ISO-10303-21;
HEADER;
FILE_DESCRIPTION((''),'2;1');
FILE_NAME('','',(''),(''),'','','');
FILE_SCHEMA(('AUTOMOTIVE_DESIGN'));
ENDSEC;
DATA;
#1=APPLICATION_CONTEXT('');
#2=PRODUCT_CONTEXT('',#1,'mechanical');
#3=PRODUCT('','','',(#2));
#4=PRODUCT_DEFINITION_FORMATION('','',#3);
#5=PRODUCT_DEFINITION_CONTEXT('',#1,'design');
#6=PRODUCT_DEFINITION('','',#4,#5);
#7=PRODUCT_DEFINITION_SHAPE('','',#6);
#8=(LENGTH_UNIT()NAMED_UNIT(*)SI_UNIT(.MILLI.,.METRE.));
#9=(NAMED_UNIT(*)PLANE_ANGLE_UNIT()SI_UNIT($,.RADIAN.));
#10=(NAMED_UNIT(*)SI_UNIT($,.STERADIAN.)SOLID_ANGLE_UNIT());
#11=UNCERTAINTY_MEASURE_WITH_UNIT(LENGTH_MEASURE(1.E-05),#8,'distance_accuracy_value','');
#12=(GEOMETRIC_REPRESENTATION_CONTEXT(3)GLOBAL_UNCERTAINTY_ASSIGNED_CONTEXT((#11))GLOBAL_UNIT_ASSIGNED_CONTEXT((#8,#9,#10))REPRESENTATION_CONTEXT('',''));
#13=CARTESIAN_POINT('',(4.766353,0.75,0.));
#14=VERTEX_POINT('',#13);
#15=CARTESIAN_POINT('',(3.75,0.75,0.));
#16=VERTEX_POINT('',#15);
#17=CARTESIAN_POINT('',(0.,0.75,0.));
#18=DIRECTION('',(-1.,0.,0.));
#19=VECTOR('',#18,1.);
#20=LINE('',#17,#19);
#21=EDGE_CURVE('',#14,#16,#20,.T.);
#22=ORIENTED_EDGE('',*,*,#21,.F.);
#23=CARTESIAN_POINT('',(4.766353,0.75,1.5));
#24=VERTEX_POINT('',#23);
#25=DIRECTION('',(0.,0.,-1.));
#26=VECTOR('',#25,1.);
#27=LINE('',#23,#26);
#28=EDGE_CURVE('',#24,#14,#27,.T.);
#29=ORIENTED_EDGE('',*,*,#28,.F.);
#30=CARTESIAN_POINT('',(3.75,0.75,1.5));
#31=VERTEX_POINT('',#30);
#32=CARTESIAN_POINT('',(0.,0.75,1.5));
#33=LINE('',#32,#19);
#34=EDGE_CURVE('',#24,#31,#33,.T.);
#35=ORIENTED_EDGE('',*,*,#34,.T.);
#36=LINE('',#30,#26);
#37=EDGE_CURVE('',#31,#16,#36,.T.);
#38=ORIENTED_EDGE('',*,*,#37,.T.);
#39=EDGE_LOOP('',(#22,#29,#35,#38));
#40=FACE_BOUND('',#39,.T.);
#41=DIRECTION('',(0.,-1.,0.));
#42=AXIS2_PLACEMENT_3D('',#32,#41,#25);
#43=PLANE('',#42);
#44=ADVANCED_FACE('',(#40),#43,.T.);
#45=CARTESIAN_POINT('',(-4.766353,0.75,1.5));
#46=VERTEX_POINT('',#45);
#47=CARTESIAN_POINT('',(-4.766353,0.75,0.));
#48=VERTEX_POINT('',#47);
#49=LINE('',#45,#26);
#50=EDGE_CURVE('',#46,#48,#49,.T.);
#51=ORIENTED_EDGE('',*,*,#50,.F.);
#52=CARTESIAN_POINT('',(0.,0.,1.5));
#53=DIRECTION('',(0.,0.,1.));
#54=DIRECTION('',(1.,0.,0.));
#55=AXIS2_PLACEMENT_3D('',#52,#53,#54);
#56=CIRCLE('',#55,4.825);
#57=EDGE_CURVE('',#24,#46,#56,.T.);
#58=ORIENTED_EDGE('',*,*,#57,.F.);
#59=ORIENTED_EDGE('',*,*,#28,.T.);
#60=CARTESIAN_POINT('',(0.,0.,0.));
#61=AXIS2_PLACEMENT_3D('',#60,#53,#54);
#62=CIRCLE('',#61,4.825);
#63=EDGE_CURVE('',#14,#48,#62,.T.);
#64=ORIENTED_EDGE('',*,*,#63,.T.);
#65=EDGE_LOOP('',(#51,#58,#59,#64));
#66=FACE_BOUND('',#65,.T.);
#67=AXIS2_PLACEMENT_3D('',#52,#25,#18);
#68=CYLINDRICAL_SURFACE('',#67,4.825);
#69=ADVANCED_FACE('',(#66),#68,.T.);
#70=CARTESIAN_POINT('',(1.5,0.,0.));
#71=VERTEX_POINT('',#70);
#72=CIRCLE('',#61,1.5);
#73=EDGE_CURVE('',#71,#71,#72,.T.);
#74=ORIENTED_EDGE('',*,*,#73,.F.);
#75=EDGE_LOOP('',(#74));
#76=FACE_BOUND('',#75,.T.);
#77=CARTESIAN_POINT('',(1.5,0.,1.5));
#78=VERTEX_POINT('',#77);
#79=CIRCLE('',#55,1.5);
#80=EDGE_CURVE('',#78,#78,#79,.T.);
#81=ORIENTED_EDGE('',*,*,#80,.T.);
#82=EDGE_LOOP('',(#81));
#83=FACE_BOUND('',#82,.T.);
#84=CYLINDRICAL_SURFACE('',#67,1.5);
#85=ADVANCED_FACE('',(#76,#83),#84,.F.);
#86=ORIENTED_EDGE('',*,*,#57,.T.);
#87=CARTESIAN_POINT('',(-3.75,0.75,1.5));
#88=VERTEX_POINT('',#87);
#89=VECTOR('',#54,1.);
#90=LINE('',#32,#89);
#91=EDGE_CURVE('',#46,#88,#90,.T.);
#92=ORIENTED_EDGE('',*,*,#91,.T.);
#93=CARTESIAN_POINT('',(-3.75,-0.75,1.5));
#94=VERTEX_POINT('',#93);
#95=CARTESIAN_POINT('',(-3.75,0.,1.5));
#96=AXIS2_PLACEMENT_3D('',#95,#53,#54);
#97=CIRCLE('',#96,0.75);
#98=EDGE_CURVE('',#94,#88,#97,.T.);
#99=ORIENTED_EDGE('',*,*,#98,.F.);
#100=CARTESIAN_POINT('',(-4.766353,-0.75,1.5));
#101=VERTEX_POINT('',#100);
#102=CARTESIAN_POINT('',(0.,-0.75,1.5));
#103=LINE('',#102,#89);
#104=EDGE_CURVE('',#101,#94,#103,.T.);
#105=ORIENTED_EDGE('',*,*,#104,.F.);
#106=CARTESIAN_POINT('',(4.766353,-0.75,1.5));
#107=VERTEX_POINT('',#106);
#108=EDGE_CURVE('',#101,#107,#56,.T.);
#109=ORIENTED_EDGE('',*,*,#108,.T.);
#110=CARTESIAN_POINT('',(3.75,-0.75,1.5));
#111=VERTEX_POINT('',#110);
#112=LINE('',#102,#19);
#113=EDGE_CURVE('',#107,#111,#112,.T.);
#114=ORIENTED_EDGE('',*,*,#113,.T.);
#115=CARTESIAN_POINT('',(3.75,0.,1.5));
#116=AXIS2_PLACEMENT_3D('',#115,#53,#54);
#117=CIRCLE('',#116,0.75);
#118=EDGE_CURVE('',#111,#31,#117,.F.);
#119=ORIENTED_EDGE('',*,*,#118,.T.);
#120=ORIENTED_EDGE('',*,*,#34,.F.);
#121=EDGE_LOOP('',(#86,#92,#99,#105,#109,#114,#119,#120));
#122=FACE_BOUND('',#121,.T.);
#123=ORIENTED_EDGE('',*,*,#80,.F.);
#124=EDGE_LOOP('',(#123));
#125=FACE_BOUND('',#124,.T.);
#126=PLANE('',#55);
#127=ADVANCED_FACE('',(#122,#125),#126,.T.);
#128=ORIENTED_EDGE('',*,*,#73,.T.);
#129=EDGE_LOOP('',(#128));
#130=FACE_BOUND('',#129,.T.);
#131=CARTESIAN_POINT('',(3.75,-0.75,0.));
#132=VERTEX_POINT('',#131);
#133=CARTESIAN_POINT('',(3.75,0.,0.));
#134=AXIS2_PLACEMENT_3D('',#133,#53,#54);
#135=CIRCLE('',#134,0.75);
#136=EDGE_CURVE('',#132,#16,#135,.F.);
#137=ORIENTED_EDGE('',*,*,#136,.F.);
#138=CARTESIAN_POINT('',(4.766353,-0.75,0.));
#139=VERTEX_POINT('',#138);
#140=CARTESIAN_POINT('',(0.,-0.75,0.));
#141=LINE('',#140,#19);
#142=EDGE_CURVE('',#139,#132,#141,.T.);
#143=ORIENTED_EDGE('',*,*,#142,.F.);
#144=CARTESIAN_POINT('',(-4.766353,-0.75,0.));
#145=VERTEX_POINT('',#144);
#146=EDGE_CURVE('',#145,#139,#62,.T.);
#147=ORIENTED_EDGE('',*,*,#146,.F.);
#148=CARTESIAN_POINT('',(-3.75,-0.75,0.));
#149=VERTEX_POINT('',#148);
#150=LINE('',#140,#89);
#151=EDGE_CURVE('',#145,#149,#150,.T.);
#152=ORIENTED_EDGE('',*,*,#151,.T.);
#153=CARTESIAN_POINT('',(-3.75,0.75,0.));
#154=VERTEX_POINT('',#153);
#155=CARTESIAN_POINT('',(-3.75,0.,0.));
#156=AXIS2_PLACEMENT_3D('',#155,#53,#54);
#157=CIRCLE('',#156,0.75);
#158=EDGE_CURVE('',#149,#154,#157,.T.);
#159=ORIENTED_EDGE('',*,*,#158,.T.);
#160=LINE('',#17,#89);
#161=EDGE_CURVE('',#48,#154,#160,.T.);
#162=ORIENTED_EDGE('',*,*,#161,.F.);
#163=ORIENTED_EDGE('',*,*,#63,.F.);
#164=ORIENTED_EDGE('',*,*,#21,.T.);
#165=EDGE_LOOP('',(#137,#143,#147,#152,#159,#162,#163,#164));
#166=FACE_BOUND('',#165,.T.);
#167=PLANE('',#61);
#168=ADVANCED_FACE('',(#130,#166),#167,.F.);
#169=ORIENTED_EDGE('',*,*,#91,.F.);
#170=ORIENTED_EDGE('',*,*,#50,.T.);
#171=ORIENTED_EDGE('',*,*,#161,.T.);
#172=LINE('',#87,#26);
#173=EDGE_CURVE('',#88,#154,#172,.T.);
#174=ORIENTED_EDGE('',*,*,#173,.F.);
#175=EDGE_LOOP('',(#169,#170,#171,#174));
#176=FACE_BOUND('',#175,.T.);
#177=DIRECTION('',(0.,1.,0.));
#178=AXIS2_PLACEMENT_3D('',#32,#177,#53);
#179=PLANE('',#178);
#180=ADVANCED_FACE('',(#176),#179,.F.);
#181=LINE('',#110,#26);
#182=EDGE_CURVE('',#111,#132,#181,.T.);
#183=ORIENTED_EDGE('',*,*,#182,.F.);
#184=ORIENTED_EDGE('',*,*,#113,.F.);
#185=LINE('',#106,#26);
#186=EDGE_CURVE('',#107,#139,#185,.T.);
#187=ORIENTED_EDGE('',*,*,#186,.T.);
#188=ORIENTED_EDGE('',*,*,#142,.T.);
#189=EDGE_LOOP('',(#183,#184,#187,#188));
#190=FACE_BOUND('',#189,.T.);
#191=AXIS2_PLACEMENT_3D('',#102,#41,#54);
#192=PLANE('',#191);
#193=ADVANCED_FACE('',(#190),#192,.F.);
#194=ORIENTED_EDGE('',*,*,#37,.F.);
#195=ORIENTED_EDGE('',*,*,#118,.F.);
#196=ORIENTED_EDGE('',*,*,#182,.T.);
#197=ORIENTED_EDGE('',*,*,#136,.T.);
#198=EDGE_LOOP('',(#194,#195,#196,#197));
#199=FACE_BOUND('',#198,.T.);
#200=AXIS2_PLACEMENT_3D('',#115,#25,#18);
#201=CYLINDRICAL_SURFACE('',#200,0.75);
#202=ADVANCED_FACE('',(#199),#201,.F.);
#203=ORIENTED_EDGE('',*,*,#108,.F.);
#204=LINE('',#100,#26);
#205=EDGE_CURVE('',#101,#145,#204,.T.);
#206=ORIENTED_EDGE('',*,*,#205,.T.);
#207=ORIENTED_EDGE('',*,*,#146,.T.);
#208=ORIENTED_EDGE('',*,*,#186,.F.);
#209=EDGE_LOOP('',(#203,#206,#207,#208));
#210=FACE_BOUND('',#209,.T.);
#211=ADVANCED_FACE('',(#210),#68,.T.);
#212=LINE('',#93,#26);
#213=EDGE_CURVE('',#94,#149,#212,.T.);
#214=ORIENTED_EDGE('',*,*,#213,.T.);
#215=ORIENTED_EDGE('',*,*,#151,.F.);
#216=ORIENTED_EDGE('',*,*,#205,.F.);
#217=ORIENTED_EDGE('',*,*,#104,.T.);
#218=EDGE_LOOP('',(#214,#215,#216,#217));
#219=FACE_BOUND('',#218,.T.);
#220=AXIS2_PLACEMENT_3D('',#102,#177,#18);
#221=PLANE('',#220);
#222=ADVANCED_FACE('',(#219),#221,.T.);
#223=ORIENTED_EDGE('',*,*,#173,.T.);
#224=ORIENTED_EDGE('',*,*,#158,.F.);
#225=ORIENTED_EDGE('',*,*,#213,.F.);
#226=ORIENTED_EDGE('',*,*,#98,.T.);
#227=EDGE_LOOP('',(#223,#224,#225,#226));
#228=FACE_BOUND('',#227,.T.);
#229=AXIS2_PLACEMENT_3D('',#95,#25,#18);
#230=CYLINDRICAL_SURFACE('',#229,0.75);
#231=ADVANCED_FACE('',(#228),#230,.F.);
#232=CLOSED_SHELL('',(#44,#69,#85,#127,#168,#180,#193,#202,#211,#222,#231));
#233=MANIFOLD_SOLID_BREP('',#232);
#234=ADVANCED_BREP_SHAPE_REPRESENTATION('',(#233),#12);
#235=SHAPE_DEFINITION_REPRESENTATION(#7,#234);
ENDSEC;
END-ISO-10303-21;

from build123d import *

# Parameters (mm, degrees)
SKETCH_1_R      = 1.5
EXTRUDE_1_DEPTH = 1.5


with BuildPart() as part:
    # Эскиз1 → Бобышка-Вытянуть1 (new body)
    with BuildSketch(Plane.XY):
        with BuildLine():
            ThreePointArc((4.766353428, 0.75), (0, 4.825), (-4.766353428, 0.75))
            Line((-4.766353428, 0.75), (-3.75, 0.75))
            ThreePointArc((-3.75, 0.75), (-3, 0), (-3.75, -0.75))
            Line((-3.75, -0.75), (-4.766353428, -0.75))
            ThreePointArc((-4.766353428, -0.75), (0, -4.825), (4.766353428, -0.75))
            Line((4.766353428, -0.75), (3.75, -0.75))
            ThreePointArc((3.75, -0.75), (3, 0), (3.75, 0.75))
            Line((3.75, 0.75), (4.766353428, 0.75))
        make_face()
        Circle(SKETCH_1_R, mode=Mode.SUBTRACT)
    extrude(amount=EXTRUDE_1_DEPTH)


solid = part.part
